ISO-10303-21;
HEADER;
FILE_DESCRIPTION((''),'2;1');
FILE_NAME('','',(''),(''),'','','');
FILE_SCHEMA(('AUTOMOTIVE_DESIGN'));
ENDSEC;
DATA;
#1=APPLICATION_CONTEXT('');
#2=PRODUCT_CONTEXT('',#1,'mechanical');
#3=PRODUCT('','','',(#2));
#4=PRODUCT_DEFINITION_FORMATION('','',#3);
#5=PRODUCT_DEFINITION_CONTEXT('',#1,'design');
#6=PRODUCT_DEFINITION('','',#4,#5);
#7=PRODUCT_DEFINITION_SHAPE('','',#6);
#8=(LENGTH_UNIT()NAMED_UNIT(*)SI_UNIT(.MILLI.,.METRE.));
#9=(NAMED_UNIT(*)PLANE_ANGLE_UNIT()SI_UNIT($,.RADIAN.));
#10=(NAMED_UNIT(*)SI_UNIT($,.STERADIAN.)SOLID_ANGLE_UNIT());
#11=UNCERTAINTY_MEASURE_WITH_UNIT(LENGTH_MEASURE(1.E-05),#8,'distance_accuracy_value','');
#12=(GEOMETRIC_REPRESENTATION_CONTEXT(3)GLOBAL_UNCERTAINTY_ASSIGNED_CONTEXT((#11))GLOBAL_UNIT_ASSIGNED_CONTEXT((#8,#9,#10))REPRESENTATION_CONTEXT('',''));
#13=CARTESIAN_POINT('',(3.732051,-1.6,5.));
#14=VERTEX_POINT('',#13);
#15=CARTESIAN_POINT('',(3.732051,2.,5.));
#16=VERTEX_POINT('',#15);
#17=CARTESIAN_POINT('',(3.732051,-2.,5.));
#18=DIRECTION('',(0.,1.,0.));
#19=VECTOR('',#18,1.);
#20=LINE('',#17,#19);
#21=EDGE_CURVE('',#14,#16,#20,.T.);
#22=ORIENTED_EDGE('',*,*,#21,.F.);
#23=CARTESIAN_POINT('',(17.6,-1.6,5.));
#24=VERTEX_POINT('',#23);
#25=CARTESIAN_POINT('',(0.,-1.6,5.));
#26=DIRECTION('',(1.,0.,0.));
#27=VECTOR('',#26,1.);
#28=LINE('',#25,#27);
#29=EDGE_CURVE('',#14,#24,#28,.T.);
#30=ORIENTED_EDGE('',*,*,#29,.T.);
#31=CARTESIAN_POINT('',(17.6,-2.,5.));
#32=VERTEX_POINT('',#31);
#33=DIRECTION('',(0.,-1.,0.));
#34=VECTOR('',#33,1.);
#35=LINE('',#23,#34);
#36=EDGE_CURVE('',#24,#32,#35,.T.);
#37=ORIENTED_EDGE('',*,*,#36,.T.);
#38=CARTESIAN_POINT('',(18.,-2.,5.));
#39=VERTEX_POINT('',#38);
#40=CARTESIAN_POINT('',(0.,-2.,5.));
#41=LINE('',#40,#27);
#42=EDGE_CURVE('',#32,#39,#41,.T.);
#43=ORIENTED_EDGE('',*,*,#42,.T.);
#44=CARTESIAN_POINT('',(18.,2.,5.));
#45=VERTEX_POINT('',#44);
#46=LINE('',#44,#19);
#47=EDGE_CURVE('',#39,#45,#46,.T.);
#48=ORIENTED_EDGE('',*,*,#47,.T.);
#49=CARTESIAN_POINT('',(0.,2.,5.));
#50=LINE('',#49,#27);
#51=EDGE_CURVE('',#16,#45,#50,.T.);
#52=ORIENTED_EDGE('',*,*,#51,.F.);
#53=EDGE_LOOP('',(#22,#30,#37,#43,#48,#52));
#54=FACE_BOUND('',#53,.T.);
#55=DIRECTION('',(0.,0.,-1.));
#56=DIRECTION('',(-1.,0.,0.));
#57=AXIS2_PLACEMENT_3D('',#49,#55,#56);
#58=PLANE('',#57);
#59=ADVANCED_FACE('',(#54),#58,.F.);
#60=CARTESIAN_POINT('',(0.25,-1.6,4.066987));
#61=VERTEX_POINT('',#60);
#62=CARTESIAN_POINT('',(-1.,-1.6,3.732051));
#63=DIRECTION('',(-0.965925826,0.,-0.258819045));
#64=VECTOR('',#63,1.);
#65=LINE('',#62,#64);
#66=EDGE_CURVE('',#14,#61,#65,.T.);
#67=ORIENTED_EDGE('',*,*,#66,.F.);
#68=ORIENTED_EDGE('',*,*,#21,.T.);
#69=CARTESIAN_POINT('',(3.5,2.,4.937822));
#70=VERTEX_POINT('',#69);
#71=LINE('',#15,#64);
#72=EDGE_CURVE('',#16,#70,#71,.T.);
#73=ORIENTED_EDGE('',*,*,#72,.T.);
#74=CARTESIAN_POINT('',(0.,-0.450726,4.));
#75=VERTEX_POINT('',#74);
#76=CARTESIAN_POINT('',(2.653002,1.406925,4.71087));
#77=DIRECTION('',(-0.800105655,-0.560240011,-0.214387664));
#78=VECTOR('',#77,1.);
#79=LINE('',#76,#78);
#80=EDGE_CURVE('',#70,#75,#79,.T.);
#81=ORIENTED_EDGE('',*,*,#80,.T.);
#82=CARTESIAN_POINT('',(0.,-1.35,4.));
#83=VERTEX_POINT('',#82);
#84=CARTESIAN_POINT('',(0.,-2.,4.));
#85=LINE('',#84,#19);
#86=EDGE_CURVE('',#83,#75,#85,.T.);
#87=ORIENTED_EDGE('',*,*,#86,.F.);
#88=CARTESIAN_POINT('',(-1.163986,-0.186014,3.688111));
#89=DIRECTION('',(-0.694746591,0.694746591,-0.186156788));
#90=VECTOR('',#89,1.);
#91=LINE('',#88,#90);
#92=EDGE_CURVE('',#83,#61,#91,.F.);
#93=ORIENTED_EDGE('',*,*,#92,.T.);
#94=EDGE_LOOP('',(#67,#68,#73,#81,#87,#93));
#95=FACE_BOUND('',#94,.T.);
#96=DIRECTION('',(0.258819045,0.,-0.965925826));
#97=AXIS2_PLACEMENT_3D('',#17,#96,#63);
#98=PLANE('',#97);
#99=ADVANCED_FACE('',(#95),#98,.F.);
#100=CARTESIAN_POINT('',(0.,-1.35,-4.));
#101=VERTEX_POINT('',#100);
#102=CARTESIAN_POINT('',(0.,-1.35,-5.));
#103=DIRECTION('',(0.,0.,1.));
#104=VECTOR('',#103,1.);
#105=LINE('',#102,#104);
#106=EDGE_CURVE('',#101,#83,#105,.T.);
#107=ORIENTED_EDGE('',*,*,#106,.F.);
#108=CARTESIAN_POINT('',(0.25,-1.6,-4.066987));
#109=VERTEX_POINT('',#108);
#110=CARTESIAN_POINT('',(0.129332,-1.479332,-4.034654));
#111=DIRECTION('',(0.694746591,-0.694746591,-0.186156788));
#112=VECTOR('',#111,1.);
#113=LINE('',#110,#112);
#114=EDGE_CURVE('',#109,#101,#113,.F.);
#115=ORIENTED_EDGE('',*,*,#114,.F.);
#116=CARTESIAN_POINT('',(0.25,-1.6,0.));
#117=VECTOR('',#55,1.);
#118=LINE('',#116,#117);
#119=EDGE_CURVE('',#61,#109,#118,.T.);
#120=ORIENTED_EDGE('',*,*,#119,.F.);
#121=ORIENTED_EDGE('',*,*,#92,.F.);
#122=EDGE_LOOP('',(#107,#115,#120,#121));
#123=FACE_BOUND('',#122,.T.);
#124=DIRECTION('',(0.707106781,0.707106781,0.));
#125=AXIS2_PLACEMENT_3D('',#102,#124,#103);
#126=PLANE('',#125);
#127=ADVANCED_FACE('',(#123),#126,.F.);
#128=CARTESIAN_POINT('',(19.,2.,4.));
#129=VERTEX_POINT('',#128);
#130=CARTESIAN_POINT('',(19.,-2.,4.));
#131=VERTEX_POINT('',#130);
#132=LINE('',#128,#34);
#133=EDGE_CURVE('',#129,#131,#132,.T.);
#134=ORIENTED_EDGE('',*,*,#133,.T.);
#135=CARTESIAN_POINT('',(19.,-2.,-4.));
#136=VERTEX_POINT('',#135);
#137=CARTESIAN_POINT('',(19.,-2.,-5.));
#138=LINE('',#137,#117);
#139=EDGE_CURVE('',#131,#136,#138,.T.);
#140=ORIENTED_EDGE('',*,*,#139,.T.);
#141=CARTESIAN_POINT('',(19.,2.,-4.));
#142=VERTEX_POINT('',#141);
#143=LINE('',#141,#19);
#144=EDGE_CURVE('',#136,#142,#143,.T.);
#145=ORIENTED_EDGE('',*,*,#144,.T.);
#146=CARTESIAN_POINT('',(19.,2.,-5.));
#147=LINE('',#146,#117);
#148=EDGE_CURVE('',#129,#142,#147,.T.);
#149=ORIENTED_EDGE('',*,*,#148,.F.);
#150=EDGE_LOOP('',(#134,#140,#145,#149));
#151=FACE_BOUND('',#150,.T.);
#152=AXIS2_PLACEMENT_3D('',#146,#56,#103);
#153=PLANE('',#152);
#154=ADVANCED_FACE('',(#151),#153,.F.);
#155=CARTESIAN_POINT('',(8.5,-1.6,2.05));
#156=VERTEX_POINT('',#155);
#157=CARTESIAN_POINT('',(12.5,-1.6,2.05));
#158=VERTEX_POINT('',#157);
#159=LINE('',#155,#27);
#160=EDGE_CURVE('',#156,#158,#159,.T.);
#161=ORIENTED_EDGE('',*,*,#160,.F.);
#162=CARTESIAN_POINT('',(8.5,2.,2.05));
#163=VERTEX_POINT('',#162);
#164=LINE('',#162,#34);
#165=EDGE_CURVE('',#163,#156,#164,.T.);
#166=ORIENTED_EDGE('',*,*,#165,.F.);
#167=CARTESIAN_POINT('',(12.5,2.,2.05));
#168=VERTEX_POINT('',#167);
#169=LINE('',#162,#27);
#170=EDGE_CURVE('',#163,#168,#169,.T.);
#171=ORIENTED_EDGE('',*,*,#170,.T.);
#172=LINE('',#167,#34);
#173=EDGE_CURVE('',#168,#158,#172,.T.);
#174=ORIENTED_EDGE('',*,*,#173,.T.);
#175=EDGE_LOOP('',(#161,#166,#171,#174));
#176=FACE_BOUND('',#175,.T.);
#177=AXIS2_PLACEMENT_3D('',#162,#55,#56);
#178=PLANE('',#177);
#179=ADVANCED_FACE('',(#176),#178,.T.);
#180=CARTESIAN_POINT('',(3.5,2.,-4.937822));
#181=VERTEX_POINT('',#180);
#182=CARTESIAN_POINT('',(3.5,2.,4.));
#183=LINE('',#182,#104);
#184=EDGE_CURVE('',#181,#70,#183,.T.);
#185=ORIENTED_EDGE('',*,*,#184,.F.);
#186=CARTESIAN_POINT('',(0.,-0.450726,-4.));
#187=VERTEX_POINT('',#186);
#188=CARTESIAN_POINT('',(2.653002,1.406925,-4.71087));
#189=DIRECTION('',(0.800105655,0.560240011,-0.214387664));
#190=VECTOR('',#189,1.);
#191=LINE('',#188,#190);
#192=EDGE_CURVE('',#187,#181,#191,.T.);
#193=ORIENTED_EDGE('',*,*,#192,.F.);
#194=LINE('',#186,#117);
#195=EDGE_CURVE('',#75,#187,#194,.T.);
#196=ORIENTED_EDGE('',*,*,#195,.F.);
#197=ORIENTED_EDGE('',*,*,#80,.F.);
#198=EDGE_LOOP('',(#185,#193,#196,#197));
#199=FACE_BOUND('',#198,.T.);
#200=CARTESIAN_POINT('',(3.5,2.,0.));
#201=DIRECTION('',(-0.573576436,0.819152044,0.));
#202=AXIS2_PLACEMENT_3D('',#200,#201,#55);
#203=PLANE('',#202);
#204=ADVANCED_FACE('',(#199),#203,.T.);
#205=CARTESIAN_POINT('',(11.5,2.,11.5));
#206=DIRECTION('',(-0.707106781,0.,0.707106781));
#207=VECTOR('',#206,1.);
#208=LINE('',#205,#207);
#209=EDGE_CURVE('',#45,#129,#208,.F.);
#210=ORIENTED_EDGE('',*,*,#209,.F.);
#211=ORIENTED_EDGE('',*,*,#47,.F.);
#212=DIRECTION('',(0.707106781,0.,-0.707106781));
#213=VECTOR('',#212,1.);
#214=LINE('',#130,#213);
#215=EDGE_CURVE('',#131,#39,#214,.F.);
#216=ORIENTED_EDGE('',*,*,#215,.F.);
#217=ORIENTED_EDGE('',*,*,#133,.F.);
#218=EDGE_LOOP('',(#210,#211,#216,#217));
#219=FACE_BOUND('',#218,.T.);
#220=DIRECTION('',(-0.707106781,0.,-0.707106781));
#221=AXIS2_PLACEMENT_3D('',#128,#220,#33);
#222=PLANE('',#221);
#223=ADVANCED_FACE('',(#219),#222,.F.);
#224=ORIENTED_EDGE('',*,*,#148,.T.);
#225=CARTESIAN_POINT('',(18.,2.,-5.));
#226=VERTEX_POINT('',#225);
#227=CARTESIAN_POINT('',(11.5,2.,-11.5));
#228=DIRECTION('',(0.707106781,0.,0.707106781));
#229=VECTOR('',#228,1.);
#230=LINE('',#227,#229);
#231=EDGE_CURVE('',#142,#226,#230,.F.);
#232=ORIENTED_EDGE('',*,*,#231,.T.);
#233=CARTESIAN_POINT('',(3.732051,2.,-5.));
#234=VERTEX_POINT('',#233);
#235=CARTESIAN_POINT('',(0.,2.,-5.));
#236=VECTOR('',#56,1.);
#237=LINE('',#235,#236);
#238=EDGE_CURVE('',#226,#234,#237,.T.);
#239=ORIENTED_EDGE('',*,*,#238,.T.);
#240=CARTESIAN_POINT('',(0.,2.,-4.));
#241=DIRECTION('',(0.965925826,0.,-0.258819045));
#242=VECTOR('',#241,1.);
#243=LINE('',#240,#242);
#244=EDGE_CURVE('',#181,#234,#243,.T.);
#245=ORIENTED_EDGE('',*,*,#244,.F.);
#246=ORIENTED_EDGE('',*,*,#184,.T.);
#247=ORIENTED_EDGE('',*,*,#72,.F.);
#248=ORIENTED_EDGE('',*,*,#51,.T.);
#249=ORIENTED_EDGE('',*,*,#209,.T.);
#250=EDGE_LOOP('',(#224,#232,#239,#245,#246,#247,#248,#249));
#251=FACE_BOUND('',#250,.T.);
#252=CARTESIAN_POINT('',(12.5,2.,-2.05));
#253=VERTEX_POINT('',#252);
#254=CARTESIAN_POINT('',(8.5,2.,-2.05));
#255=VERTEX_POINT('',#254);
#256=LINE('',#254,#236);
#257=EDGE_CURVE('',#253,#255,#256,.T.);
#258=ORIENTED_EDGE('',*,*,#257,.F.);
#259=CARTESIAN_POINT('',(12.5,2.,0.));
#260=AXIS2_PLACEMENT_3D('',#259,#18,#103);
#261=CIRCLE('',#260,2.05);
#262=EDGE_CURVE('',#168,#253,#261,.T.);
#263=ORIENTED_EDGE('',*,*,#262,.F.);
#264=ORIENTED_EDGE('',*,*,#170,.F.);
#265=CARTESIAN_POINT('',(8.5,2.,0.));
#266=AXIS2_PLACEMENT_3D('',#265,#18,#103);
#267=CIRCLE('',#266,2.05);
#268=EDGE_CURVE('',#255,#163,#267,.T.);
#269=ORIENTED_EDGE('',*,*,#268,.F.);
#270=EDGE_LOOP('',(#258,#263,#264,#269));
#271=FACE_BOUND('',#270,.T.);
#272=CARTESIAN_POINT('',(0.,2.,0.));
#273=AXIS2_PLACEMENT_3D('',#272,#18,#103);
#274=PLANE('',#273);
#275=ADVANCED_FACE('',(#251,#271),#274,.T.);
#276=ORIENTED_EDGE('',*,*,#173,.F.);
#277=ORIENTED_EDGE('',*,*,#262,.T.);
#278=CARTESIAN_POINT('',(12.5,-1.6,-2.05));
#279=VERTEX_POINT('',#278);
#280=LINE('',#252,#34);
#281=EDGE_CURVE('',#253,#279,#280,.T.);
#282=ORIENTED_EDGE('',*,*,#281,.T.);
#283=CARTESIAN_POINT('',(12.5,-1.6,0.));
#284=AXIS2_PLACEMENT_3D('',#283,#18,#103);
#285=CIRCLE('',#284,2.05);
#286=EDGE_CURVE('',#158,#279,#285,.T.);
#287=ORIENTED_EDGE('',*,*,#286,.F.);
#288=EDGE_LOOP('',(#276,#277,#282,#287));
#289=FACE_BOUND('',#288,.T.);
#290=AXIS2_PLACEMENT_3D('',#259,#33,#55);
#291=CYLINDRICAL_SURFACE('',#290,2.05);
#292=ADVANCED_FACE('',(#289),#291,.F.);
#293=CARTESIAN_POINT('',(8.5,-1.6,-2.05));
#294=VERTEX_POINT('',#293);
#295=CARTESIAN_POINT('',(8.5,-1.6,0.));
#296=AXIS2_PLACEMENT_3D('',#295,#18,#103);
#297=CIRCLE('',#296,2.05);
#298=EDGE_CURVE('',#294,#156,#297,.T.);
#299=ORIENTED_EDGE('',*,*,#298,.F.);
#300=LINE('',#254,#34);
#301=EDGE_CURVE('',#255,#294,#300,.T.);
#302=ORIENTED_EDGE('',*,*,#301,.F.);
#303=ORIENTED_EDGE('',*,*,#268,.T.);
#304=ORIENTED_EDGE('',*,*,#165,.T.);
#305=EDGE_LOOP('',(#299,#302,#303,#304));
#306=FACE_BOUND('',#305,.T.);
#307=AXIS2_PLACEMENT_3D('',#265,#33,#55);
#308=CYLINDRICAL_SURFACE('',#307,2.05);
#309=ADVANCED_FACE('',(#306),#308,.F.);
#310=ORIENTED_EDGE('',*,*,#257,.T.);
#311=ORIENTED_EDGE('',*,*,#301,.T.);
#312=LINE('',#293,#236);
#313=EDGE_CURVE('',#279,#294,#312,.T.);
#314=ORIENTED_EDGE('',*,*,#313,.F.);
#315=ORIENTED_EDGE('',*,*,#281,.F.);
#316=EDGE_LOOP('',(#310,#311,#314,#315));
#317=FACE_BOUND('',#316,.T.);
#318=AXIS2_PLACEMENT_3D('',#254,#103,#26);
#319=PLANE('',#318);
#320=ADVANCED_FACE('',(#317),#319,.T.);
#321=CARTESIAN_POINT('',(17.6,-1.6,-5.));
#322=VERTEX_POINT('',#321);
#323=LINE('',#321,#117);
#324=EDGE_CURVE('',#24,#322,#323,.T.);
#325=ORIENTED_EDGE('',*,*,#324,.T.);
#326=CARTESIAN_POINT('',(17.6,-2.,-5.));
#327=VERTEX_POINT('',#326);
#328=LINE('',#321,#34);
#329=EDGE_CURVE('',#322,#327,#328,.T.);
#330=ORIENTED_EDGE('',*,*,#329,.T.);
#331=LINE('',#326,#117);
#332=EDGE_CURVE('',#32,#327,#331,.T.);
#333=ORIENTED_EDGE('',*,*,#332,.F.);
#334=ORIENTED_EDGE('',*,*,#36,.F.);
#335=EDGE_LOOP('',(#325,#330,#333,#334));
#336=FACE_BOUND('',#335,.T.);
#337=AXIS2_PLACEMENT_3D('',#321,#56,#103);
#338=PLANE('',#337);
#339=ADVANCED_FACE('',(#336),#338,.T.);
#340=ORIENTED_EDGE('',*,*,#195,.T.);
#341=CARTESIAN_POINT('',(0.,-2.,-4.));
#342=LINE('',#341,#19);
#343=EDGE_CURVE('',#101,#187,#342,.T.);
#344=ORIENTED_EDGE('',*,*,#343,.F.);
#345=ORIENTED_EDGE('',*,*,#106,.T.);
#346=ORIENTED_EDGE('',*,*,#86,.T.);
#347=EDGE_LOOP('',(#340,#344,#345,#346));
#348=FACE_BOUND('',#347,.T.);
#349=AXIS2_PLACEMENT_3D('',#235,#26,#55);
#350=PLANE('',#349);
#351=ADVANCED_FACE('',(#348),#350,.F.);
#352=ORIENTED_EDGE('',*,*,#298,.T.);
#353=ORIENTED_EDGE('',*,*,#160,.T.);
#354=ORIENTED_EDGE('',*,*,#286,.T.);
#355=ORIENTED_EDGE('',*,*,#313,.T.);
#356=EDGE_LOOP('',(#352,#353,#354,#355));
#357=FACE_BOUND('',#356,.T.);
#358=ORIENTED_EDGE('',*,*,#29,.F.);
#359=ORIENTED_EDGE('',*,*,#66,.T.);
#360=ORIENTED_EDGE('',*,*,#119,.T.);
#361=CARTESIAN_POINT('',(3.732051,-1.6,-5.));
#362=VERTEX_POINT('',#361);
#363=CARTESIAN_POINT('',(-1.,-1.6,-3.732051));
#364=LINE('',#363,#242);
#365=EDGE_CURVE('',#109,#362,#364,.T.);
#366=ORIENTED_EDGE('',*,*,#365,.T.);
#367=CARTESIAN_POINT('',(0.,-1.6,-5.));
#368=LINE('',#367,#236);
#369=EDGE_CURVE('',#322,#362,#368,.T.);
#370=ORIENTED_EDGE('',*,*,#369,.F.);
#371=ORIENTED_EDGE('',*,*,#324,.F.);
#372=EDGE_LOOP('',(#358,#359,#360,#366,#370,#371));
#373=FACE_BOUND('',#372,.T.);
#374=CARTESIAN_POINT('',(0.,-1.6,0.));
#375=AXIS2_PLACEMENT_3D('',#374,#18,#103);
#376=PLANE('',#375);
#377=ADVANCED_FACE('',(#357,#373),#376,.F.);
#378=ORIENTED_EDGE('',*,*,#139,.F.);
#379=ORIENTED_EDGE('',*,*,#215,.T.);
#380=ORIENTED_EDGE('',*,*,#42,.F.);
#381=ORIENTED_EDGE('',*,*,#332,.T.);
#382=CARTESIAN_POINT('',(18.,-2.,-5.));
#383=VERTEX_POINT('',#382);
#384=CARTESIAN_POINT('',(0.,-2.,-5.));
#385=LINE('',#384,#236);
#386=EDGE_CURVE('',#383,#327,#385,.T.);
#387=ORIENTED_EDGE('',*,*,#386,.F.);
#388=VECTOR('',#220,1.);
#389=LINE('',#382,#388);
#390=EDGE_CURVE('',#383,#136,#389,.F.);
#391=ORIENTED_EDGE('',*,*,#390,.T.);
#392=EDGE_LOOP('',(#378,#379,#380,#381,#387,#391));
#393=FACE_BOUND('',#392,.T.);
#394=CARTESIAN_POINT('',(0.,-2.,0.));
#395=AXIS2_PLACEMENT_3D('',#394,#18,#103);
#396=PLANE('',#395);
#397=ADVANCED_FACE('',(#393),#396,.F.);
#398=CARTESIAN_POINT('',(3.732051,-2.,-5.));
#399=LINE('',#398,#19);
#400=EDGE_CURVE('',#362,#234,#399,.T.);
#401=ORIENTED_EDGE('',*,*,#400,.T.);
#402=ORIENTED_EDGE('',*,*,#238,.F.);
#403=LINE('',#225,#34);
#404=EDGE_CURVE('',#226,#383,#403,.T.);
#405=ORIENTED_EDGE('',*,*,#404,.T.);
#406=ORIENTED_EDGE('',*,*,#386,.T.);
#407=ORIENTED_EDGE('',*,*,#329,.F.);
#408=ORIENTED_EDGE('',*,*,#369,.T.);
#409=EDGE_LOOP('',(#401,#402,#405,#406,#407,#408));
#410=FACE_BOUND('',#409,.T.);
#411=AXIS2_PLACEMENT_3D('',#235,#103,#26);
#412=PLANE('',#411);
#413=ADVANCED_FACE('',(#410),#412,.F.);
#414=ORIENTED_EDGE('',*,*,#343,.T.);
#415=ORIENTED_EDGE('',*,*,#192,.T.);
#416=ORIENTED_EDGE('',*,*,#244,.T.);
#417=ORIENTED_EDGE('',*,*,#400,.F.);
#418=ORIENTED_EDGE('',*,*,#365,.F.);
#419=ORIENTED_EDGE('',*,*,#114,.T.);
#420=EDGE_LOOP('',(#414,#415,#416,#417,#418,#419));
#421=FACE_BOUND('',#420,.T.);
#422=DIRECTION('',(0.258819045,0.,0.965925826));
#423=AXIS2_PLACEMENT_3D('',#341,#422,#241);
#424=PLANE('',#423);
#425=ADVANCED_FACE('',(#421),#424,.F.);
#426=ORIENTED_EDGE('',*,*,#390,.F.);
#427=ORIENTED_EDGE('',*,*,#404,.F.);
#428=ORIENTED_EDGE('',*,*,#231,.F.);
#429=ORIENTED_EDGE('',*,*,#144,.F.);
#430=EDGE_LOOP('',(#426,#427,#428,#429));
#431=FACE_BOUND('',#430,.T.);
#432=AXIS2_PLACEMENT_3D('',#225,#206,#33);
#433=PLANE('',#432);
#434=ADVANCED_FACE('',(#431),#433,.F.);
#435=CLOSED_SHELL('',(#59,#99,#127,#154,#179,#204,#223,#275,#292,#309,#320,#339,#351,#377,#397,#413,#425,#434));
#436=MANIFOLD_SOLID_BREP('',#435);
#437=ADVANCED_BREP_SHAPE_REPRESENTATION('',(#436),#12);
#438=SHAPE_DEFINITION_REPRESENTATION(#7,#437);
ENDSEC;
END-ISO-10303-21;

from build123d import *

# Parameters (mm, degrees)
SKETCH1_W           = 19
SKETCH1_H           = 10
BOSS_EXTRUDE1_DEPTH = 2
CHAMFER2_SIZE       = 1
SKETCH2_W           = 17.6
SKETCH2_H           = 10
CUT_EXTRUDE4_DEPTH  = 0.4
CUT_EXTRUDE5_DEPTH  = 21.049937656
CHAMFER4_SIZE       = 3.5
CHAMFER4_SIZE2      = 2.450726384
CHAMFER5_SIZE       = 0.25


with BuildPart() as part:
    # Sketch1 → Boss-Extrude1 (new, symmetric)
    with BuildSketch(Plane(origin=(0, 0, 0), x_dir=(1, 0, 0), z_dir=(0, 1, 0))):
        with Locations((9.5, 0)):
            Rectangle(SKETCH1_W, SKETCH1_H)
        with BuildLine():
            Line((8.5, 2.05), (12.5, 2.05))
            ThreePointArc((12.5, 2.05), (14.55, 0), (12.5, -2.05))
            Line((12.5, -2.05), (8.5, -2.05))
            ThreePointArc((8.5, -2.05), (6.45, 0), (8.5, 2.05))
        make_face(mode=Mode.SUBTRACT)
    extrude(amount=BOSS_EXTRUDE1_DEPTH, both=True)

    # Chamfer2
    chamfer2_edges = [part.edges().sort_by_distance(p)[0] for p in [
        (19, 0, -5),
        (19, 0, 5),
    ]]
    chamfer(chamfer2_edges, length=CHAMFER2_SIZE)

    # Sketch2 → Cut-Extrude4 (cut)
    with BuildSketch(Plane(origin=(0, -2, 0), x_dir=(1, 0, 0), z_dir=(0, 1, 0))):
        with Locations((8.8, 0)):
            Rectangle(SKETCH2_W, SKETCH2_H)
    extrude(amount=CUT_EXTRUDE4_DEPTH, mode=Mode.SUBTRACT)

    # Sketch5 → Cut-Extrude5 (cut, through all)
    with BuildSketch(Plane(origin=(0, 2, 0), x_dir=(1, 0, 0), z_dir=(0, 1, 0))):
        Polygon((0, 4), (3.732050808, 5), (0, 5), align=None)
        Polygon((0, -4), (0, -5), (3.732050808, -5), align=None)
    extrude(amount=-CUT_EXTRUDE5_DEPTH, mode=Mode.SUBTRACT)

    # Chamfer4
    chamfer4_edges = [part.edges().sort_by_distance(p)[0] for p in [
        (0, 2, 0),
    ]]
    chamfer4_side = [part.faces().sort_by_distance(p)[0] for p in [
        (1.921596209, 2, -4.29260693),
    ]]
    chamfer(chamfer4_edges, length=CHAMFER4_SIZE, length2=CHAMFER4_SIZE2, reference=chamfer4_side[0])

    # Chamfer5
    chamfer5_edges = [part.edges().sort_by_distance(p)[0] for p in [
        (0, -1.6, 0),
    ]]
    chamfer(chamfer5_edges, length=CHAMFER5_SIZE)


solid = part.part
